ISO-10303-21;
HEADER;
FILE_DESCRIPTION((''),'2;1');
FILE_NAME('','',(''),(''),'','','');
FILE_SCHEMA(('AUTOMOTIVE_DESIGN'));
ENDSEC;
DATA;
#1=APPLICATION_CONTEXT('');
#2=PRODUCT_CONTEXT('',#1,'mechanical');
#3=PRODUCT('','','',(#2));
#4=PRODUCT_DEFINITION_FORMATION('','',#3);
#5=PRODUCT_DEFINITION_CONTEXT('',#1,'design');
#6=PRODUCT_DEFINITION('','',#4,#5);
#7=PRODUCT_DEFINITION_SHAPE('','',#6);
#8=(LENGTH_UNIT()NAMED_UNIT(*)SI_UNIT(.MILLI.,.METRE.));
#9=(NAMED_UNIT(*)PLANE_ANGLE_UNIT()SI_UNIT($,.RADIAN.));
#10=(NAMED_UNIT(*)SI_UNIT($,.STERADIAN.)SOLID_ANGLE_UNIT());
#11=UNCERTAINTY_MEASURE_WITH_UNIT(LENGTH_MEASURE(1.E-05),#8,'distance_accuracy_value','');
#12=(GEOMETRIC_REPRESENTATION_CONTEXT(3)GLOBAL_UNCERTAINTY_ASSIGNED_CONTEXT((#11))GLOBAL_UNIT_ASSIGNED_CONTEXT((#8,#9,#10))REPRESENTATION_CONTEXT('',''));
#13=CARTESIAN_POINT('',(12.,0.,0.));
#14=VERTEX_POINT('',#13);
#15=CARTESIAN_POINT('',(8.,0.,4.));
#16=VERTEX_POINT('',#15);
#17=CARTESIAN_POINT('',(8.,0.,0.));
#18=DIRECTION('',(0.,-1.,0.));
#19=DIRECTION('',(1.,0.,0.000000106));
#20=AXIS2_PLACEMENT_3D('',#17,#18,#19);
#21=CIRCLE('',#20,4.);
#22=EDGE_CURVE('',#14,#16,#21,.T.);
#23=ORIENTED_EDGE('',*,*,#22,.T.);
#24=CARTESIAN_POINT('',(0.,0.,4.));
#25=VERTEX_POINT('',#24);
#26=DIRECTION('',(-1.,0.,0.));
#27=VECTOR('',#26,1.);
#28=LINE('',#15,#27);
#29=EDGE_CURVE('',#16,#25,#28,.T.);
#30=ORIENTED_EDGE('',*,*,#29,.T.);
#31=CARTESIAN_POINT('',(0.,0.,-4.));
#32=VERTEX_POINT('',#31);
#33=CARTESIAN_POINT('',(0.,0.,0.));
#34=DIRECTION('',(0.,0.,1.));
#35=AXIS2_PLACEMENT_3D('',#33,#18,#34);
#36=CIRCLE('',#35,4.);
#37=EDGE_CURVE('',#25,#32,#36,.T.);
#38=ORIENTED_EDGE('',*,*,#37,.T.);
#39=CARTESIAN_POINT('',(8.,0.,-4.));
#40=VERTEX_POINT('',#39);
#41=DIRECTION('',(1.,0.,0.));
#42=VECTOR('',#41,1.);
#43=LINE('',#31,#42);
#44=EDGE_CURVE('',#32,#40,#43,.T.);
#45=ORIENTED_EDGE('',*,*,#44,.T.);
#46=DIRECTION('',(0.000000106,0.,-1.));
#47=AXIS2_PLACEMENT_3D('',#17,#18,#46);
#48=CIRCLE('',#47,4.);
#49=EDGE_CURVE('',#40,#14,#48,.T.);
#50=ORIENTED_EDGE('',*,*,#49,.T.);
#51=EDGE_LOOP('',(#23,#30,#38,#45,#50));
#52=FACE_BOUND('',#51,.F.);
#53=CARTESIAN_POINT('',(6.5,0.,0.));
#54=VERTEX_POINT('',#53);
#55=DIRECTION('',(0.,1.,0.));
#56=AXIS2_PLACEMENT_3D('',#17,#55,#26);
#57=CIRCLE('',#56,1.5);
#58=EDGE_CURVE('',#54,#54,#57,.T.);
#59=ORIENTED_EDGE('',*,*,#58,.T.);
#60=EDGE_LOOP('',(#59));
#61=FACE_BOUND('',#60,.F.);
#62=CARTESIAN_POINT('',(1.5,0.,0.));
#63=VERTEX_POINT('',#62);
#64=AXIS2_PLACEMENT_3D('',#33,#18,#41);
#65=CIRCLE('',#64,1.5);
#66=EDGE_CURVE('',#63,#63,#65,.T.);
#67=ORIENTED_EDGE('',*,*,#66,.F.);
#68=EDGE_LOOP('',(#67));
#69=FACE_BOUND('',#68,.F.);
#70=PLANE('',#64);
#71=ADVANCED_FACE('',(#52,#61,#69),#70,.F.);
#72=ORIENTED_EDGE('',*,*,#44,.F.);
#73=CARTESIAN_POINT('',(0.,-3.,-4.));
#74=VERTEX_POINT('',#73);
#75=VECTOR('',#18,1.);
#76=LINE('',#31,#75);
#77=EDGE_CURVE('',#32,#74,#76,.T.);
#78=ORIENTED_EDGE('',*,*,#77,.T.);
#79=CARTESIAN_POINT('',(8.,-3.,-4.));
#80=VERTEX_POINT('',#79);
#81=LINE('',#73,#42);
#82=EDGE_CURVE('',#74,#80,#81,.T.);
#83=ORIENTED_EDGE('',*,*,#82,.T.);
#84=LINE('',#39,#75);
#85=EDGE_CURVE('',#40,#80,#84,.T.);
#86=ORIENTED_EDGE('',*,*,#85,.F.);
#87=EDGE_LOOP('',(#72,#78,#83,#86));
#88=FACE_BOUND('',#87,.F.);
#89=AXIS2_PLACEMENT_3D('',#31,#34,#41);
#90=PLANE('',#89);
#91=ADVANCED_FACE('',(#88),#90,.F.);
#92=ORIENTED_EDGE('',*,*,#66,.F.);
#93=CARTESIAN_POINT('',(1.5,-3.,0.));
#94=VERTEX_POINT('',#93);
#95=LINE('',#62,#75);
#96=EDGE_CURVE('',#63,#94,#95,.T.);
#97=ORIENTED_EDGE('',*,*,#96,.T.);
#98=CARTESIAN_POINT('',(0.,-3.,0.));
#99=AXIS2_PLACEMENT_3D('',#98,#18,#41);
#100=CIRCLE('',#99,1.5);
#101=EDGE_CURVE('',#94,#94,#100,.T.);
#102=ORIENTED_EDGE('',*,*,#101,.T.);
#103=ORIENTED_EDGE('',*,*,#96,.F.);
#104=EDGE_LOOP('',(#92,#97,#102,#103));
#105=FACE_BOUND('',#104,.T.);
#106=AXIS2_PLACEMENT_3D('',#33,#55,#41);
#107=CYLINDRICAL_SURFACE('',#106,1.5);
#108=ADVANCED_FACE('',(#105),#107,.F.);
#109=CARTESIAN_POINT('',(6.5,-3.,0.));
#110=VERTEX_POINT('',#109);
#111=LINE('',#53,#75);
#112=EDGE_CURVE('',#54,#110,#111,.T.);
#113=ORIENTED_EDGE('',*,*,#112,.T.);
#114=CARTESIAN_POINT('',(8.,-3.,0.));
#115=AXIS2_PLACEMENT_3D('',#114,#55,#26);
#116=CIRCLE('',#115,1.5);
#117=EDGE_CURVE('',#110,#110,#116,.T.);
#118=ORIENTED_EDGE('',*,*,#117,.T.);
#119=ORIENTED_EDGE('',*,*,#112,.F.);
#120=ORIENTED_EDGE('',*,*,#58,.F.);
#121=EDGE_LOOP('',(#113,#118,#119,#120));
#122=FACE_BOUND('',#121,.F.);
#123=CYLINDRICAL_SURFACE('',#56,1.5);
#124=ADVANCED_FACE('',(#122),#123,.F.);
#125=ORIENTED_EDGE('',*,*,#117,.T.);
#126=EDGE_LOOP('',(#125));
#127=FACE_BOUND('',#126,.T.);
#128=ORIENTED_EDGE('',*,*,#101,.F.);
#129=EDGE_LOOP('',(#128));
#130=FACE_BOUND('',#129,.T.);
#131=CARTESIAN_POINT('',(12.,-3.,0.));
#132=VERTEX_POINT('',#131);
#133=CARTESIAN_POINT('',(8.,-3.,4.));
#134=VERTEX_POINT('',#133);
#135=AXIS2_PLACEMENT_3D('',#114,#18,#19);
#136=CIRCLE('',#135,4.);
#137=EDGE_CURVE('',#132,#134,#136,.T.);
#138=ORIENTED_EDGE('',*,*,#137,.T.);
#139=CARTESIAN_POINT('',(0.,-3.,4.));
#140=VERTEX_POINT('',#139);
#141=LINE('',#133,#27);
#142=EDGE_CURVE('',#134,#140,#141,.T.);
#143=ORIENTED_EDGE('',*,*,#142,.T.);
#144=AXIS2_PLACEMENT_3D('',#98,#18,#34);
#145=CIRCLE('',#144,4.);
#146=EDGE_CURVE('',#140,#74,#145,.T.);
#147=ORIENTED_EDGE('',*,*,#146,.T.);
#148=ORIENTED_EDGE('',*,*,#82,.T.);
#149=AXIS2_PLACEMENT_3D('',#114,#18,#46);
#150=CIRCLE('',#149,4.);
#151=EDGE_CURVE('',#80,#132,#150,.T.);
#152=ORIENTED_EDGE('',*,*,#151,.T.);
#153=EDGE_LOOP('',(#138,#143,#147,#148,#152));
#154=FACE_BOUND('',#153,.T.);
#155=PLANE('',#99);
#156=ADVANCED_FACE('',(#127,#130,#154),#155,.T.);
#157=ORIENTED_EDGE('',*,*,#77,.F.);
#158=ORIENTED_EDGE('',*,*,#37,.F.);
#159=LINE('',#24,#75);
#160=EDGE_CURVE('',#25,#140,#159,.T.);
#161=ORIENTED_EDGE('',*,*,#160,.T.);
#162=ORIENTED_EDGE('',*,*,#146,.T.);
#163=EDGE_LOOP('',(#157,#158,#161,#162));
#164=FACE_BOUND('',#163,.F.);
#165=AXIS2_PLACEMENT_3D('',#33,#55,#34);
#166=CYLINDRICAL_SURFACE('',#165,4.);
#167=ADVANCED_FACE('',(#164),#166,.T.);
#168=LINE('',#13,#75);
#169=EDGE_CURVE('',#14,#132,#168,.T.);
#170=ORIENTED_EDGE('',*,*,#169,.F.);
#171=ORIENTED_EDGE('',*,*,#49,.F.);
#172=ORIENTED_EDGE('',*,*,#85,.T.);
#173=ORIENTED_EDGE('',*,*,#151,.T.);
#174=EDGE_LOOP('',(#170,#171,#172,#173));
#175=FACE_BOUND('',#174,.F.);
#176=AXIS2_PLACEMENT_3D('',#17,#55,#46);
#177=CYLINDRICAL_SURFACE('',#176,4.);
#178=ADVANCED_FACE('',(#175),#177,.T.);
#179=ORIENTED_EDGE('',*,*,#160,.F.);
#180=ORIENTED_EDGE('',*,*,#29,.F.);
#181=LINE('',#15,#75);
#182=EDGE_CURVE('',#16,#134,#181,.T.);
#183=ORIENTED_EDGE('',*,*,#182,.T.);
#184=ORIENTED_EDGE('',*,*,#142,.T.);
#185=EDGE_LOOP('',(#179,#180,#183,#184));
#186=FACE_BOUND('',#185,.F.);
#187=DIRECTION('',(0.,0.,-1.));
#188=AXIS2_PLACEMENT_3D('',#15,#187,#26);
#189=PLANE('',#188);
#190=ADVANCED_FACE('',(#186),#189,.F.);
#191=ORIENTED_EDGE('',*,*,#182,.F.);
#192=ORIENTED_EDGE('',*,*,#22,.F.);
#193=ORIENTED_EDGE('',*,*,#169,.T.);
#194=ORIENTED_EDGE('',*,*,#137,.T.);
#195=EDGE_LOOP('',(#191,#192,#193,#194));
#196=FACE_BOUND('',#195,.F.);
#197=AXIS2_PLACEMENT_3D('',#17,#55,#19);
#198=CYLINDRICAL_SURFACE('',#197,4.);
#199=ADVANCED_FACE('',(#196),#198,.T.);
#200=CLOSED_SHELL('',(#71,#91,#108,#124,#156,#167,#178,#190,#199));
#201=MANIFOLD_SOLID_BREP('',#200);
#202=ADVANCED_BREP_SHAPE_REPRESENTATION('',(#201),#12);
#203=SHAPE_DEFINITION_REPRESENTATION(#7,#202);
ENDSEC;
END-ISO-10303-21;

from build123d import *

# Parameters (mm, degrees)
F0_R     = 1.5
F1_DEPTH = 3


with BuildPart() as f1:
    # F0 (on Front) → F1 (new body)
    with BuildSketch(Plane.XZ):
        Circle(F0_R)
        with BuildLine():
            ThreePointArc((0, -4), (2.828427, -2.828427), (4, 0))
            ThreePointArc((4, 0), (2.828427, 2.828427), (0, 4))
            ThreePointArc((0, 4), (-4, 0), (0, -4))
        make_face()
        Circle(F0_R, mode=Mode.SUBTRACT)
        with BuildLine():
            ThreePointArc((0, 4), (2.828427, 2.828427), (4, 0))
            ThreePointArc((4, 0), (5.171573, 2.828427), (8, 4))
            Line((8, 4), (0, 4))
        make_face()
        with BuildLine():
            ThreePointArc((9.5, 0), (8, 1.5), (6.5, 0))
            ThreePointArc((6.5, 0), (8, -1.5), (9.5, 0))
        make_face()
        with BuildLine():
            ThreePointArc((8, 4), (5.171573, 2.828427), (4, 0))
            ThreePointArc((4, 0), (5.171573, -2.828427), (8, -4))
            ThreePointArc((8, -4), (10.828427, -2.828427), (12, 0))
            ThreePointArc((12, 0), (10.828427, 2.828427), (8, 4))
        make_face()
        with BuildLine():
            ThreePointArc((9.5, 0), (8, -1.5), (6.5, 0))
            ThreePointArc((6.5, 0), (8, 1.5), (9.5, 0))
        make_face(mode=Mode.SUBTRACT)
        with BuildLine():
            ThreePointArc((8, -4), (5.171573, -2.828427), (4, 0))
            ThreePointArc((4, 0), (2.828427, -2.828427), (0, -4))
            Line((0, -4), (8, -4))
        make_face()
    extrude(amount=F1_DEPTH)


solid = f1.part
